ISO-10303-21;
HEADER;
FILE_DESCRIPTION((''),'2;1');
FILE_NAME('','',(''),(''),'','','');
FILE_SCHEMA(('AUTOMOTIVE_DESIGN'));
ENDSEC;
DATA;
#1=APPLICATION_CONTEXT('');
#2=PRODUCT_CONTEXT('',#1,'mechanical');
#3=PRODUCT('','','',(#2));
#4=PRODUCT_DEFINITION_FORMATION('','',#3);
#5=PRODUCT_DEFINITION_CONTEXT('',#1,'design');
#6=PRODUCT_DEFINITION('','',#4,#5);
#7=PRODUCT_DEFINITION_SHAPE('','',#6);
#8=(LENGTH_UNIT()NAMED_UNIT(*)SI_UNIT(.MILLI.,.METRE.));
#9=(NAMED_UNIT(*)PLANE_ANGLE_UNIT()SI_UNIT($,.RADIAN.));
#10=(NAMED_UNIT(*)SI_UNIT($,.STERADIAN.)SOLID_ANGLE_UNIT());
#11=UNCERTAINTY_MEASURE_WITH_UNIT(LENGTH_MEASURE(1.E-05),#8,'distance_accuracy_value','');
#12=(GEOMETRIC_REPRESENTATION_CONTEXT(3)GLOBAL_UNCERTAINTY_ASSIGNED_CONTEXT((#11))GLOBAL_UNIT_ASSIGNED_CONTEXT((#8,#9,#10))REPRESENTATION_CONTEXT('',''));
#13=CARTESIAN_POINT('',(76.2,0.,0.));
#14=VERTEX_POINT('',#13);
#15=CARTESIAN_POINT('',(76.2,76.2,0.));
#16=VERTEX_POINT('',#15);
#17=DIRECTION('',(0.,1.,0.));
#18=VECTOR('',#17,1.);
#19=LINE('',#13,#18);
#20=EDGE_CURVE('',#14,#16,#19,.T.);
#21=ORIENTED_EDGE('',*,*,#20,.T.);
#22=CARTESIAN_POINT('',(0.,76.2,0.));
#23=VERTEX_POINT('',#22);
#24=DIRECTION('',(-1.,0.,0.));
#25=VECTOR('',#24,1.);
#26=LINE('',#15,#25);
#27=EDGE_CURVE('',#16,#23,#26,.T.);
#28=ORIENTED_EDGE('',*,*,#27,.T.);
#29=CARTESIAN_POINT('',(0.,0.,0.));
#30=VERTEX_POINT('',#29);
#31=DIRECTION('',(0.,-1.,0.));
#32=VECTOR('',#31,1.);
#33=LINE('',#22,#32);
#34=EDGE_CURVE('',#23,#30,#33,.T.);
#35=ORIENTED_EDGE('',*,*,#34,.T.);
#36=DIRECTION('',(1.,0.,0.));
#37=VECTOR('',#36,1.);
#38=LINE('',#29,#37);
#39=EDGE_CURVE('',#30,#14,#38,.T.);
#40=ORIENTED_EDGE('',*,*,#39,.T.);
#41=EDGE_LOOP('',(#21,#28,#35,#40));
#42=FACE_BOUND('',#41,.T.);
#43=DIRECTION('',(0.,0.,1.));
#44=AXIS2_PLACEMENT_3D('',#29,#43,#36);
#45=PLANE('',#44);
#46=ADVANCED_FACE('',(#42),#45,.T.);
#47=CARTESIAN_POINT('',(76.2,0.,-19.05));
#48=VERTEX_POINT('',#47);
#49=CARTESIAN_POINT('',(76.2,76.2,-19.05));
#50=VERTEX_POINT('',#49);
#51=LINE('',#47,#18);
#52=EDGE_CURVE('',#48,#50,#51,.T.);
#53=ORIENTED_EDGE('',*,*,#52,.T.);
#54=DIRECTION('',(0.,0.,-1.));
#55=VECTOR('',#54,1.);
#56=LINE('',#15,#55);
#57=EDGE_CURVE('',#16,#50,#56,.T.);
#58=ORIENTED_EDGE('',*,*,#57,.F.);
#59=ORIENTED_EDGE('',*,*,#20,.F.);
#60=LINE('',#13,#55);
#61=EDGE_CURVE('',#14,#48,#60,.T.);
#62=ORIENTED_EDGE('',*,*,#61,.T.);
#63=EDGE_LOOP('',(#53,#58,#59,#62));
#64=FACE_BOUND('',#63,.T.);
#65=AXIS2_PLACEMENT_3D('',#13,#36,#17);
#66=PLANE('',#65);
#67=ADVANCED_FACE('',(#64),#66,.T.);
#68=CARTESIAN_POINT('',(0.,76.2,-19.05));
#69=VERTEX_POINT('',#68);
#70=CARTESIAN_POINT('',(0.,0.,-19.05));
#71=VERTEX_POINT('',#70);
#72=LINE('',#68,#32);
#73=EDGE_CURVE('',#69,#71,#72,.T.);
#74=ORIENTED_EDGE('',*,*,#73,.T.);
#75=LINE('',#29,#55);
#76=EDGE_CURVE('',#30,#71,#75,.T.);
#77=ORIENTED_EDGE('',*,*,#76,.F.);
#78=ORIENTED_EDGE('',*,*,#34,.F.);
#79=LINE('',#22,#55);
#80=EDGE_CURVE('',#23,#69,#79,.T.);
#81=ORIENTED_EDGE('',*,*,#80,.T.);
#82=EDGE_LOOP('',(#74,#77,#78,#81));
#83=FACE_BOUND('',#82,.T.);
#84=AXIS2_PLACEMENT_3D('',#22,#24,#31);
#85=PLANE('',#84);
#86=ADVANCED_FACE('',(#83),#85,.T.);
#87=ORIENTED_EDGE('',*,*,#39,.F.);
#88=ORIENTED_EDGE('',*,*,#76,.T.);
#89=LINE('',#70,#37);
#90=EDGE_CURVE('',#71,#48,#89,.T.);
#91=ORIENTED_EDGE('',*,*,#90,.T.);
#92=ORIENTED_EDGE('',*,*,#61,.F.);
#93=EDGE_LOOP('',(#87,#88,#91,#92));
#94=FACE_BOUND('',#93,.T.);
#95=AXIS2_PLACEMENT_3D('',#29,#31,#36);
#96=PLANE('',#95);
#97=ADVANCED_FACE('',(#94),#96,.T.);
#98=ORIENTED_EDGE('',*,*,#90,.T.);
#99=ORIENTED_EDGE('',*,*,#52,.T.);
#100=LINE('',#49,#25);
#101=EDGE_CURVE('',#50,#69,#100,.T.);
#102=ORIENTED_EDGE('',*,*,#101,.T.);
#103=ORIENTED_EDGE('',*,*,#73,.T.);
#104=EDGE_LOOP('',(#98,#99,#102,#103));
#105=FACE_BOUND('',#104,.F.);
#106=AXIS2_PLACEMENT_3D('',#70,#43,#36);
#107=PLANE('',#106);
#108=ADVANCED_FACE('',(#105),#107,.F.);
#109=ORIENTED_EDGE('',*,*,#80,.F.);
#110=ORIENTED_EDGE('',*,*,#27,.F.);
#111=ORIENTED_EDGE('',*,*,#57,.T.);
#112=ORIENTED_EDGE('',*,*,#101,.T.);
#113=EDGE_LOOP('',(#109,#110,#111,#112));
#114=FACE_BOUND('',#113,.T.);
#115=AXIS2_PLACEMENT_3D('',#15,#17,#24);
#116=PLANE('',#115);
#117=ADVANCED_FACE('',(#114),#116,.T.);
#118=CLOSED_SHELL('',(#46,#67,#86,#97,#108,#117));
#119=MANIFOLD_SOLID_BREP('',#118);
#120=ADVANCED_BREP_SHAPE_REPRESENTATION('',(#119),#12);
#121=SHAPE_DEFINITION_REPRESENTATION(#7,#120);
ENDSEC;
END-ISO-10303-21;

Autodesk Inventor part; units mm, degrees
ref_plane "YZ Plane" through (0, 0, 0) normal (1, 0, 0) x (0, 1, 0)
ref_plane "XZ Plane" through (0, 0, 0) normal (0, 1, 0) x (-1, 0, 0)
sketch "Sketch1" plane through (0, 0, 0) normal (0, 0, 1) x (1, 0, 0)
  line L0 (0, 76.2) -> (0, 0) projected
  line L1 (76.2, 76.2) -> (0, 76.2) projected
  line L2 (76.2, 0) -> (76.2, 76.2) projected
  line L3 (0, 0) -> (76.2, 0) projected
ref_plane "Work Plane1" through (-8.001, -8.001, -19.05) normal (0, 0, 1) x (1, 0, 0)
extrude "Extrusion1" add sketch "Sketch1" against normal up to surface (19.05 mm away)
properties part number "MATERIAL MOLDE 2"
